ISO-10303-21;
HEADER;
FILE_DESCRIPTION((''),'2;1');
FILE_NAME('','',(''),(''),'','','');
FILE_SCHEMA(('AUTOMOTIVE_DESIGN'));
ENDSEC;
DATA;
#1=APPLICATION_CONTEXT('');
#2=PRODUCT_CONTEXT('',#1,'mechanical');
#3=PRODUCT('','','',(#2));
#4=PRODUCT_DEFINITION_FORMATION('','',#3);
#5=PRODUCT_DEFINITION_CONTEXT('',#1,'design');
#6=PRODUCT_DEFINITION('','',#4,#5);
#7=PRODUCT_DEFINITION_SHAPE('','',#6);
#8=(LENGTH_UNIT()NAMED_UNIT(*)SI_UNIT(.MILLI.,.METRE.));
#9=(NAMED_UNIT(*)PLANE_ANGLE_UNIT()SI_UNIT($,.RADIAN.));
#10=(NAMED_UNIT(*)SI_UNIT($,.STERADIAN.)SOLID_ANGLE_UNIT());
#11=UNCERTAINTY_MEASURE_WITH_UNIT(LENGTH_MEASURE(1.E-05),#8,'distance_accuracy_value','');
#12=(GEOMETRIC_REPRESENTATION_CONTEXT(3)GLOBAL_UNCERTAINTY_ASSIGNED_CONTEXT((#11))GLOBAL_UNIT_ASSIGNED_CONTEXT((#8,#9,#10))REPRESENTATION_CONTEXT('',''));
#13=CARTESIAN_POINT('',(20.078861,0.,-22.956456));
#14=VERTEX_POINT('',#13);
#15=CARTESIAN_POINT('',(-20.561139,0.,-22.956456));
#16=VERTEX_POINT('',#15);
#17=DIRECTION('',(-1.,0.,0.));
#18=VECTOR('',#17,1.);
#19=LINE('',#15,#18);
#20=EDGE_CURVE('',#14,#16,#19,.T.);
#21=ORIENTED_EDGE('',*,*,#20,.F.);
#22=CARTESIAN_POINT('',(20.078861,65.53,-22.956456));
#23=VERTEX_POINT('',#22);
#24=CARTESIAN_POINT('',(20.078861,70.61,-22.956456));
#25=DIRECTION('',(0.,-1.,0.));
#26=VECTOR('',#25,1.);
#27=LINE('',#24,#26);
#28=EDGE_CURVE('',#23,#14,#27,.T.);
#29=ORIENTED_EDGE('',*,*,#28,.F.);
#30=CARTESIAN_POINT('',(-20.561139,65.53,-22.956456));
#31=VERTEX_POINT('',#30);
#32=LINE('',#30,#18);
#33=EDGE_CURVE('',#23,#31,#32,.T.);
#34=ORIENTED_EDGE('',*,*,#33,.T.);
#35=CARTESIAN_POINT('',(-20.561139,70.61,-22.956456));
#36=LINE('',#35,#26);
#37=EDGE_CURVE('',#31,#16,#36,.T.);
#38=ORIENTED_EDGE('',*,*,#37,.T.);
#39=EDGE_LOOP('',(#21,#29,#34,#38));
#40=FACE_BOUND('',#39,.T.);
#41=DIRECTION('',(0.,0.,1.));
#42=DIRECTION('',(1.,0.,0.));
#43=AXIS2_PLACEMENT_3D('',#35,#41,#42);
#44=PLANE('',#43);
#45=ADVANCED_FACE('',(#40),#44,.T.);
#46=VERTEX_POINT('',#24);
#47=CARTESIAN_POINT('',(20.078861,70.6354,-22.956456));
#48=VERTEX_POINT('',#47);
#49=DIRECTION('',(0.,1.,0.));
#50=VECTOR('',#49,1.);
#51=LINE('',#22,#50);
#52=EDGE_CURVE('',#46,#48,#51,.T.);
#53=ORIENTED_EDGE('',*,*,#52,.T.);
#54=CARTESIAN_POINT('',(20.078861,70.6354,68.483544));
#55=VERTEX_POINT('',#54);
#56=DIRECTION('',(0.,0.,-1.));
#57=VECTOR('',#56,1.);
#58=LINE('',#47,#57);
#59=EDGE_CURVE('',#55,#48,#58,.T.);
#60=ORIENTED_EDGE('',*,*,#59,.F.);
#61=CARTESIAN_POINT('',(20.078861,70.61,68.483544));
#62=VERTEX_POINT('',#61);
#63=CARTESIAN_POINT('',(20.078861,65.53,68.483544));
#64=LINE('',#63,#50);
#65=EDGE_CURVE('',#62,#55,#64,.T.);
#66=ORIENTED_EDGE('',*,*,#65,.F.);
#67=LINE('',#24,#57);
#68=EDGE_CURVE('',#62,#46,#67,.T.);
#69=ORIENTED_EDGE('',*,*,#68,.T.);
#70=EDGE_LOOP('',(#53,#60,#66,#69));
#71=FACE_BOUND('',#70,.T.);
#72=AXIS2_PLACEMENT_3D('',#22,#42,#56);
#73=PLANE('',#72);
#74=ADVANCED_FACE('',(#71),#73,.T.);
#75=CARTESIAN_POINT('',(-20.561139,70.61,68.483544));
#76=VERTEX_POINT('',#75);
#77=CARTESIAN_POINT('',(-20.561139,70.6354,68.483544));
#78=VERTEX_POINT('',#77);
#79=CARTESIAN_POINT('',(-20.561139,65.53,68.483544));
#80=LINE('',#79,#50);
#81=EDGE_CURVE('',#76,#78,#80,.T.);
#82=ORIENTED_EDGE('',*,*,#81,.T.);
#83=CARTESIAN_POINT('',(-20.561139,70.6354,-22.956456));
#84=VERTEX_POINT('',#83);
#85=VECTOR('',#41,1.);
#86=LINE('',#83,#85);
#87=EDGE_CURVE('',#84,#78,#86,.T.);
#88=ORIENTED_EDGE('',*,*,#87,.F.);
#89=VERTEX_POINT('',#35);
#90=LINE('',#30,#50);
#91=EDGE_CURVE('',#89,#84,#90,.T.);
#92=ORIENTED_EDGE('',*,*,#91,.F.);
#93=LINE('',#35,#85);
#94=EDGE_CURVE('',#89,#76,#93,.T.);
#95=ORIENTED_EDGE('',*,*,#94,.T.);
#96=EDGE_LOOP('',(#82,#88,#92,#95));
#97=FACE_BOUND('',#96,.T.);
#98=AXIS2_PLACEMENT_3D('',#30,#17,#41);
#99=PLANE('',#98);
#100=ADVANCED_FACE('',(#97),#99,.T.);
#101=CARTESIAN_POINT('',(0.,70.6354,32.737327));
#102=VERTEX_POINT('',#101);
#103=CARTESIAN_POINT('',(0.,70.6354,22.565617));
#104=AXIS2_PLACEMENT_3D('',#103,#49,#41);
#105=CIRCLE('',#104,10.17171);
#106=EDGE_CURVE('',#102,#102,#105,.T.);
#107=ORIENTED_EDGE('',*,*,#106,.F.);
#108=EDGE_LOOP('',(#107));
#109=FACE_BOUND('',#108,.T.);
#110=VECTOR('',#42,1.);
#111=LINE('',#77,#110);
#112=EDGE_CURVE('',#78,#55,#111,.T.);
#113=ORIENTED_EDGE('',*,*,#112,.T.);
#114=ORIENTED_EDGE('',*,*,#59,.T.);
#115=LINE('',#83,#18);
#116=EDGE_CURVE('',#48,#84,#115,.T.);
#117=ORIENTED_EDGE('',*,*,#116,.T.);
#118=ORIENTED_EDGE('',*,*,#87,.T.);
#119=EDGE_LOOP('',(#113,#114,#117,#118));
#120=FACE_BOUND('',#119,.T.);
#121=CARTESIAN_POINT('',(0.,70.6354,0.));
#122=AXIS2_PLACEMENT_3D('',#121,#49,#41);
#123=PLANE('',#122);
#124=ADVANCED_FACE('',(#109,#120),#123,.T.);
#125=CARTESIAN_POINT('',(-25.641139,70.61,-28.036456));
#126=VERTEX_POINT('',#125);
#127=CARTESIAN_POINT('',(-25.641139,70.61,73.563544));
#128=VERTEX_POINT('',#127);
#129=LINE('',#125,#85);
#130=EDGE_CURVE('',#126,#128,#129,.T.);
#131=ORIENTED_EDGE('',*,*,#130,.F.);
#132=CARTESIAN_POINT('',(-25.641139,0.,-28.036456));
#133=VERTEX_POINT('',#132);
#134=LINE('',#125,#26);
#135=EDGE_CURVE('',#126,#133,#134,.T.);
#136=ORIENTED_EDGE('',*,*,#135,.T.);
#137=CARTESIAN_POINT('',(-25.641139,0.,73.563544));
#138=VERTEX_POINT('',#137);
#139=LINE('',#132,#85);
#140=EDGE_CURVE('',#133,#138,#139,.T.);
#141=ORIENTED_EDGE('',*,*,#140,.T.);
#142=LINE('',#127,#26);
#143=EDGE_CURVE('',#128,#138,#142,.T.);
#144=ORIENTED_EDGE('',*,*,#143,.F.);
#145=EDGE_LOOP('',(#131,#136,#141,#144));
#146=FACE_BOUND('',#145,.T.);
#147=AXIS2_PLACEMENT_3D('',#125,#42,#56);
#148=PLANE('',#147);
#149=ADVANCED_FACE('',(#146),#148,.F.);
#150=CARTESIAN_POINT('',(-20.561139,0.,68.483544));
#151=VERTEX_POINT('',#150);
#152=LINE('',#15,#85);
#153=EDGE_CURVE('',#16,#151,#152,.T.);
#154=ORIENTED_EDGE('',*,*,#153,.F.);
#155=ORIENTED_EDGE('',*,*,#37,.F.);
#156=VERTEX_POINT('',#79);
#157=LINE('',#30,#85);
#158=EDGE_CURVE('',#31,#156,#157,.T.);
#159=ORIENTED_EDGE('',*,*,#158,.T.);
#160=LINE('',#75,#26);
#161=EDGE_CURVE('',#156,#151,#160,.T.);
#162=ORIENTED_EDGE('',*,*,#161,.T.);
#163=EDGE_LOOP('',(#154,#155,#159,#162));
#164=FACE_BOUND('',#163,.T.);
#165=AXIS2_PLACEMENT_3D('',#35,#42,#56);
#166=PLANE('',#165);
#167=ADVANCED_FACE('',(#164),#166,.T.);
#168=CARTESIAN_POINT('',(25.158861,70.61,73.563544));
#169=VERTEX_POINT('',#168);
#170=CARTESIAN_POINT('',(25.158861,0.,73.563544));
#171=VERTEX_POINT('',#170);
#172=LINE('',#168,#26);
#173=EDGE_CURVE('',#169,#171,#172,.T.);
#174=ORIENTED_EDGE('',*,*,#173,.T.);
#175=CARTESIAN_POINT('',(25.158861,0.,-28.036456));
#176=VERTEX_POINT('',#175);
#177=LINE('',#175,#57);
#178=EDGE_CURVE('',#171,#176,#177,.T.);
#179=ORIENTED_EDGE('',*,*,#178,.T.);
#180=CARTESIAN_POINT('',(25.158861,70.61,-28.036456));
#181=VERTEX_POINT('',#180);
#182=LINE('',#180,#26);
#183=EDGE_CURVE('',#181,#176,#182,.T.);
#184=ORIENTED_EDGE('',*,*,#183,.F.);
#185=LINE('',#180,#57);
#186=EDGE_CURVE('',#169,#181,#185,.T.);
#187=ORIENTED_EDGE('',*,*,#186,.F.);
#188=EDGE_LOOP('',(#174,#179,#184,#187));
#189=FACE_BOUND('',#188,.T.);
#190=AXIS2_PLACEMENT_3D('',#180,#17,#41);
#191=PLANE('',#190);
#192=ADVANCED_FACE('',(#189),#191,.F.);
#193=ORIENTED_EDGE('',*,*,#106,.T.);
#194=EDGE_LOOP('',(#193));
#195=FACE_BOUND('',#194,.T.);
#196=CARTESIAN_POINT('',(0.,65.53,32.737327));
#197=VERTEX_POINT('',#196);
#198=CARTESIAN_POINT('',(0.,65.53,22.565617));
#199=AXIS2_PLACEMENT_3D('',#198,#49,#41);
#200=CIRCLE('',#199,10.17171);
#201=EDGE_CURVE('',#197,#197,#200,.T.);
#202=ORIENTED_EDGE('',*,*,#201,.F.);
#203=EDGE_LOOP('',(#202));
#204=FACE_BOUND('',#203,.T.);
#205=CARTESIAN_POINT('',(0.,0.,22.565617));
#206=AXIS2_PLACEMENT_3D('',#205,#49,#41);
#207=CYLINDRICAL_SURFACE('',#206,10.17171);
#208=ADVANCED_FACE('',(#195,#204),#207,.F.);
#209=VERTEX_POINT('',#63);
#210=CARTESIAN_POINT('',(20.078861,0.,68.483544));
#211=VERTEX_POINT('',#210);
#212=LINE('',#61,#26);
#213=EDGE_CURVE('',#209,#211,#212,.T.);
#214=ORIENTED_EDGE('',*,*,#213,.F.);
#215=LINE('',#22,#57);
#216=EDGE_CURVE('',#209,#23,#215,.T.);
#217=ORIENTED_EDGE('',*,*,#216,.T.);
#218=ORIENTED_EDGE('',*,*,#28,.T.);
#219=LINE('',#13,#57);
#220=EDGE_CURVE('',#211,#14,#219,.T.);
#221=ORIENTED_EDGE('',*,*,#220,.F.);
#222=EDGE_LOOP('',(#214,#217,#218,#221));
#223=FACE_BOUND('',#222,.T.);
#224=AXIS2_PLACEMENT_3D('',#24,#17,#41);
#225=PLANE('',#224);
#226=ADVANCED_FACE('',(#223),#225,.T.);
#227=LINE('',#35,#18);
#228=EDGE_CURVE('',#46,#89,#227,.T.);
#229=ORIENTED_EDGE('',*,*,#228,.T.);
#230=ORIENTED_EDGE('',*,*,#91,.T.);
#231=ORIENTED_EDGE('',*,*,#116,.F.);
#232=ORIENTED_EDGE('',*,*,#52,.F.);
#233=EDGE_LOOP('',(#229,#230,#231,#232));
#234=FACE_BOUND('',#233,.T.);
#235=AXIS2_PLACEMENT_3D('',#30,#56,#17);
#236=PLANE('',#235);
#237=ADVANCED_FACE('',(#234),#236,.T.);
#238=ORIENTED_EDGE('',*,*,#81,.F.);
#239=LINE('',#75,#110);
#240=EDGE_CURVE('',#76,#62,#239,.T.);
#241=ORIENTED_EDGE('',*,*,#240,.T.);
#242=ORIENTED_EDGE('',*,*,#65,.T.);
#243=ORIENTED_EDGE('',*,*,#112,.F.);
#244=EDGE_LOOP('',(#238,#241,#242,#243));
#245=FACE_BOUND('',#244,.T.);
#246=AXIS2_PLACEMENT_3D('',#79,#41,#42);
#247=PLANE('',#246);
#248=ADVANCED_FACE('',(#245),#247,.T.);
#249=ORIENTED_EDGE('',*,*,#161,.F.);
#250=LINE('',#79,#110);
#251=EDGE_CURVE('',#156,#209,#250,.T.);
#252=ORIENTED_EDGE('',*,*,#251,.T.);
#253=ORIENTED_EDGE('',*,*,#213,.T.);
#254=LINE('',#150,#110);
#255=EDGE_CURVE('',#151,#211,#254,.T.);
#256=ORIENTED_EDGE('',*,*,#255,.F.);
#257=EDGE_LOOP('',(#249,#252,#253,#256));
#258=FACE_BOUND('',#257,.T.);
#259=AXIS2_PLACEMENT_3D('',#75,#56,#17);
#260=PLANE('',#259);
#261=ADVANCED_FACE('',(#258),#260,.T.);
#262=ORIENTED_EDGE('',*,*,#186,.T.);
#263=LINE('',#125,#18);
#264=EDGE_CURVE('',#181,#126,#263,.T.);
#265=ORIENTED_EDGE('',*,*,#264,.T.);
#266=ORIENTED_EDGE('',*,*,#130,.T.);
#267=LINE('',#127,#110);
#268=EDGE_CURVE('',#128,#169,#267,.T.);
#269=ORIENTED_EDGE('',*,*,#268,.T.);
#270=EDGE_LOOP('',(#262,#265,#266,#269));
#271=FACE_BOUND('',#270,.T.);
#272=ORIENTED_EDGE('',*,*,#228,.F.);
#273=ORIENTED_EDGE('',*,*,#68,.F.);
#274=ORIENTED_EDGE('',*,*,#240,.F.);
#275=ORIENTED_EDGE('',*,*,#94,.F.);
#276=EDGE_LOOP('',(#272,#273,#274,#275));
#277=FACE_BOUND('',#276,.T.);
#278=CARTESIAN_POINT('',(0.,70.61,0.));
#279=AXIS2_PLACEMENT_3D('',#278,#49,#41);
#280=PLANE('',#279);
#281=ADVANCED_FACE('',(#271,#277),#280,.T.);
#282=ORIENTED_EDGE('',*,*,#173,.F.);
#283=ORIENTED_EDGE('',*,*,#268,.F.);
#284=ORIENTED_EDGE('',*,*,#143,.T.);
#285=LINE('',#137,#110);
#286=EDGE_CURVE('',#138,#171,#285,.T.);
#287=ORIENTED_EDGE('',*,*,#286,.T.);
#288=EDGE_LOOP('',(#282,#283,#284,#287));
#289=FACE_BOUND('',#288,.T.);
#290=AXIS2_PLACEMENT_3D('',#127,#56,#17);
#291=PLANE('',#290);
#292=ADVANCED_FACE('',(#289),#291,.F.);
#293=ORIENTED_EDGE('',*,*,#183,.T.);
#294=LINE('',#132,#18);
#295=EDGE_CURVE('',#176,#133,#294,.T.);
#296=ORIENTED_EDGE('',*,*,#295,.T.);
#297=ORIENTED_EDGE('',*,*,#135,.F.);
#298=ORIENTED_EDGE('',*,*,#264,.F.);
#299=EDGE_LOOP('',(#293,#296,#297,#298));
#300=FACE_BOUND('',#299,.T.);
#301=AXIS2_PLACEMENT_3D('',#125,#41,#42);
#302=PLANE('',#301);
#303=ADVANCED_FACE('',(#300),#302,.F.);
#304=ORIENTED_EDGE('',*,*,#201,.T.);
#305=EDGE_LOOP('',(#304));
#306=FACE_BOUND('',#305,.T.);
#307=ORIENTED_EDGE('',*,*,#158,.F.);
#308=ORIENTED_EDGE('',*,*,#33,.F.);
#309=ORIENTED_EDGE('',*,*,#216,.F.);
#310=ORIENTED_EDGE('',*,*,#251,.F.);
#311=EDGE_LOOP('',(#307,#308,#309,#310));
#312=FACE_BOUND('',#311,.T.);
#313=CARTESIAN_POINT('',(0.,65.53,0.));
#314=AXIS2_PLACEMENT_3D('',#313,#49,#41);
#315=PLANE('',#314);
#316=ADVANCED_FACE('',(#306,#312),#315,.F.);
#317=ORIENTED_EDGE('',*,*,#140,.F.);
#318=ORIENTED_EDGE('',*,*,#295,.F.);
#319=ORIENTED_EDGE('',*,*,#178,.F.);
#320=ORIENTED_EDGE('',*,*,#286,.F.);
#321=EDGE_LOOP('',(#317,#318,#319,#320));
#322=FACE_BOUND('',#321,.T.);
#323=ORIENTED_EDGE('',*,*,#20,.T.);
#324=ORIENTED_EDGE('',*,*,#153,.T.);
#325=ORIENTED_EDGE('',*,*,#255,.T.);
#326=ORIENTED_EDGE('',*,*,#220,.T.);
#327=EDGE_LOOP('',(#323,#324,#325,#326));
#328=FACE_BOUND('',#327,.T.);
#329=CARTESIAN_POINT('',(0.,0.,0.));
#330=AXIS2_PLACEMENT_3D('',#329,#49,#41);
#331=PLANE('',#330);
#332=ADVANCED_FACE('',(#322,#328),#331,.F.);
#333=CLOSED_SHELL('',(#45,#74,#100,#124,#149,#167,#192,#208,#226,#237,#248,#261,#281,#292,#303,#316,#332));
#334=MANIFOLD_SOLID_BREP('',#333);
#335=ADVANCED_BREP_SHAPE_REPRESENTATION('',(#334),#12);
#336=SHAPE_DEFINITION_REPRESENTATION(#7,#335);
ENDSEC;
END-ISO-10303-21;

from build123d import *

# Parameters (mm, degrees)
SKETCH1_W                = 50.8
SKETCH1_H                = 101.6
SKETCH1_W_2              = 40.64
SKETCH1_H_2              = 91.44
BOSS_EXTRUDE1_DEPTH      = 70.61
BOSS_EXTRUDE2_DEPTH      = 0.0254
BOSS_EXTRUDE2_DEPTH_BACK = 5.08
SKETCH2_W                = 40.64
SKETCH2_H                = 91.44
SKETCH3_R                = 10.171709971
CUT_EXTRUDE1_DEPTH       = 106.159035776


with BuildPart() as part:
    # Sketch1 → Boss-Extrude1 (new body)
    with BuildSketch(Plane(origin=(0, 0, 0), x_dir=(1, 0, 0), z_dir=(0, 1, 0))):
        with Locations((-0.241139241, -22.763544304)):
            Rectangle(SKETCH1_W, SKETCH1_H)
        with Locations((-0.241139241, -22.763544304)):
            Rectangle(SKETCH1_W_2, SKETCH1_H_2, mode=Mode.SUBTRACT)
    extrude(amount=BOSS_EXTRUDE1_DEPTH)

    # Sketch2 → Boss-Extrude2 (add, two sides: drawn at the far end of the back side and taken through both)
    with BuildSketch(Plane(origin=(0, 70.61, 0), x_dir=(1, 0, 0), z_dir=(0, 1, 0)).offset(-BOSS_EXTRUDE2_DEPTH_BACK)):
        with Locations((-0.241139241, -22.763544304)):
            Rectangle(SKETCH2_W, SKETCH2_H)
    extrude(amount=BOSS_EXTRUDE2_DEPTH + BOSS_EXTRUDE2_DEPTH_BACK)

    # Sketch3 → Cut-Extrude1 (cut, through all)
    with BuildSketch(Plane(origin=(0, 70.6354, 0), x_dir=(1, 0, 0), z_dir=(0, 1, 0))):
        with Locations(Location((0, -22.565616606, 0), (0, 0, 270))):
            Circle(SKETCH3_R)
    extrude(amount=-CUT_EXTRUDE1_DEPTH, mode=Mode.SUBTRACT)


solid = part.part
